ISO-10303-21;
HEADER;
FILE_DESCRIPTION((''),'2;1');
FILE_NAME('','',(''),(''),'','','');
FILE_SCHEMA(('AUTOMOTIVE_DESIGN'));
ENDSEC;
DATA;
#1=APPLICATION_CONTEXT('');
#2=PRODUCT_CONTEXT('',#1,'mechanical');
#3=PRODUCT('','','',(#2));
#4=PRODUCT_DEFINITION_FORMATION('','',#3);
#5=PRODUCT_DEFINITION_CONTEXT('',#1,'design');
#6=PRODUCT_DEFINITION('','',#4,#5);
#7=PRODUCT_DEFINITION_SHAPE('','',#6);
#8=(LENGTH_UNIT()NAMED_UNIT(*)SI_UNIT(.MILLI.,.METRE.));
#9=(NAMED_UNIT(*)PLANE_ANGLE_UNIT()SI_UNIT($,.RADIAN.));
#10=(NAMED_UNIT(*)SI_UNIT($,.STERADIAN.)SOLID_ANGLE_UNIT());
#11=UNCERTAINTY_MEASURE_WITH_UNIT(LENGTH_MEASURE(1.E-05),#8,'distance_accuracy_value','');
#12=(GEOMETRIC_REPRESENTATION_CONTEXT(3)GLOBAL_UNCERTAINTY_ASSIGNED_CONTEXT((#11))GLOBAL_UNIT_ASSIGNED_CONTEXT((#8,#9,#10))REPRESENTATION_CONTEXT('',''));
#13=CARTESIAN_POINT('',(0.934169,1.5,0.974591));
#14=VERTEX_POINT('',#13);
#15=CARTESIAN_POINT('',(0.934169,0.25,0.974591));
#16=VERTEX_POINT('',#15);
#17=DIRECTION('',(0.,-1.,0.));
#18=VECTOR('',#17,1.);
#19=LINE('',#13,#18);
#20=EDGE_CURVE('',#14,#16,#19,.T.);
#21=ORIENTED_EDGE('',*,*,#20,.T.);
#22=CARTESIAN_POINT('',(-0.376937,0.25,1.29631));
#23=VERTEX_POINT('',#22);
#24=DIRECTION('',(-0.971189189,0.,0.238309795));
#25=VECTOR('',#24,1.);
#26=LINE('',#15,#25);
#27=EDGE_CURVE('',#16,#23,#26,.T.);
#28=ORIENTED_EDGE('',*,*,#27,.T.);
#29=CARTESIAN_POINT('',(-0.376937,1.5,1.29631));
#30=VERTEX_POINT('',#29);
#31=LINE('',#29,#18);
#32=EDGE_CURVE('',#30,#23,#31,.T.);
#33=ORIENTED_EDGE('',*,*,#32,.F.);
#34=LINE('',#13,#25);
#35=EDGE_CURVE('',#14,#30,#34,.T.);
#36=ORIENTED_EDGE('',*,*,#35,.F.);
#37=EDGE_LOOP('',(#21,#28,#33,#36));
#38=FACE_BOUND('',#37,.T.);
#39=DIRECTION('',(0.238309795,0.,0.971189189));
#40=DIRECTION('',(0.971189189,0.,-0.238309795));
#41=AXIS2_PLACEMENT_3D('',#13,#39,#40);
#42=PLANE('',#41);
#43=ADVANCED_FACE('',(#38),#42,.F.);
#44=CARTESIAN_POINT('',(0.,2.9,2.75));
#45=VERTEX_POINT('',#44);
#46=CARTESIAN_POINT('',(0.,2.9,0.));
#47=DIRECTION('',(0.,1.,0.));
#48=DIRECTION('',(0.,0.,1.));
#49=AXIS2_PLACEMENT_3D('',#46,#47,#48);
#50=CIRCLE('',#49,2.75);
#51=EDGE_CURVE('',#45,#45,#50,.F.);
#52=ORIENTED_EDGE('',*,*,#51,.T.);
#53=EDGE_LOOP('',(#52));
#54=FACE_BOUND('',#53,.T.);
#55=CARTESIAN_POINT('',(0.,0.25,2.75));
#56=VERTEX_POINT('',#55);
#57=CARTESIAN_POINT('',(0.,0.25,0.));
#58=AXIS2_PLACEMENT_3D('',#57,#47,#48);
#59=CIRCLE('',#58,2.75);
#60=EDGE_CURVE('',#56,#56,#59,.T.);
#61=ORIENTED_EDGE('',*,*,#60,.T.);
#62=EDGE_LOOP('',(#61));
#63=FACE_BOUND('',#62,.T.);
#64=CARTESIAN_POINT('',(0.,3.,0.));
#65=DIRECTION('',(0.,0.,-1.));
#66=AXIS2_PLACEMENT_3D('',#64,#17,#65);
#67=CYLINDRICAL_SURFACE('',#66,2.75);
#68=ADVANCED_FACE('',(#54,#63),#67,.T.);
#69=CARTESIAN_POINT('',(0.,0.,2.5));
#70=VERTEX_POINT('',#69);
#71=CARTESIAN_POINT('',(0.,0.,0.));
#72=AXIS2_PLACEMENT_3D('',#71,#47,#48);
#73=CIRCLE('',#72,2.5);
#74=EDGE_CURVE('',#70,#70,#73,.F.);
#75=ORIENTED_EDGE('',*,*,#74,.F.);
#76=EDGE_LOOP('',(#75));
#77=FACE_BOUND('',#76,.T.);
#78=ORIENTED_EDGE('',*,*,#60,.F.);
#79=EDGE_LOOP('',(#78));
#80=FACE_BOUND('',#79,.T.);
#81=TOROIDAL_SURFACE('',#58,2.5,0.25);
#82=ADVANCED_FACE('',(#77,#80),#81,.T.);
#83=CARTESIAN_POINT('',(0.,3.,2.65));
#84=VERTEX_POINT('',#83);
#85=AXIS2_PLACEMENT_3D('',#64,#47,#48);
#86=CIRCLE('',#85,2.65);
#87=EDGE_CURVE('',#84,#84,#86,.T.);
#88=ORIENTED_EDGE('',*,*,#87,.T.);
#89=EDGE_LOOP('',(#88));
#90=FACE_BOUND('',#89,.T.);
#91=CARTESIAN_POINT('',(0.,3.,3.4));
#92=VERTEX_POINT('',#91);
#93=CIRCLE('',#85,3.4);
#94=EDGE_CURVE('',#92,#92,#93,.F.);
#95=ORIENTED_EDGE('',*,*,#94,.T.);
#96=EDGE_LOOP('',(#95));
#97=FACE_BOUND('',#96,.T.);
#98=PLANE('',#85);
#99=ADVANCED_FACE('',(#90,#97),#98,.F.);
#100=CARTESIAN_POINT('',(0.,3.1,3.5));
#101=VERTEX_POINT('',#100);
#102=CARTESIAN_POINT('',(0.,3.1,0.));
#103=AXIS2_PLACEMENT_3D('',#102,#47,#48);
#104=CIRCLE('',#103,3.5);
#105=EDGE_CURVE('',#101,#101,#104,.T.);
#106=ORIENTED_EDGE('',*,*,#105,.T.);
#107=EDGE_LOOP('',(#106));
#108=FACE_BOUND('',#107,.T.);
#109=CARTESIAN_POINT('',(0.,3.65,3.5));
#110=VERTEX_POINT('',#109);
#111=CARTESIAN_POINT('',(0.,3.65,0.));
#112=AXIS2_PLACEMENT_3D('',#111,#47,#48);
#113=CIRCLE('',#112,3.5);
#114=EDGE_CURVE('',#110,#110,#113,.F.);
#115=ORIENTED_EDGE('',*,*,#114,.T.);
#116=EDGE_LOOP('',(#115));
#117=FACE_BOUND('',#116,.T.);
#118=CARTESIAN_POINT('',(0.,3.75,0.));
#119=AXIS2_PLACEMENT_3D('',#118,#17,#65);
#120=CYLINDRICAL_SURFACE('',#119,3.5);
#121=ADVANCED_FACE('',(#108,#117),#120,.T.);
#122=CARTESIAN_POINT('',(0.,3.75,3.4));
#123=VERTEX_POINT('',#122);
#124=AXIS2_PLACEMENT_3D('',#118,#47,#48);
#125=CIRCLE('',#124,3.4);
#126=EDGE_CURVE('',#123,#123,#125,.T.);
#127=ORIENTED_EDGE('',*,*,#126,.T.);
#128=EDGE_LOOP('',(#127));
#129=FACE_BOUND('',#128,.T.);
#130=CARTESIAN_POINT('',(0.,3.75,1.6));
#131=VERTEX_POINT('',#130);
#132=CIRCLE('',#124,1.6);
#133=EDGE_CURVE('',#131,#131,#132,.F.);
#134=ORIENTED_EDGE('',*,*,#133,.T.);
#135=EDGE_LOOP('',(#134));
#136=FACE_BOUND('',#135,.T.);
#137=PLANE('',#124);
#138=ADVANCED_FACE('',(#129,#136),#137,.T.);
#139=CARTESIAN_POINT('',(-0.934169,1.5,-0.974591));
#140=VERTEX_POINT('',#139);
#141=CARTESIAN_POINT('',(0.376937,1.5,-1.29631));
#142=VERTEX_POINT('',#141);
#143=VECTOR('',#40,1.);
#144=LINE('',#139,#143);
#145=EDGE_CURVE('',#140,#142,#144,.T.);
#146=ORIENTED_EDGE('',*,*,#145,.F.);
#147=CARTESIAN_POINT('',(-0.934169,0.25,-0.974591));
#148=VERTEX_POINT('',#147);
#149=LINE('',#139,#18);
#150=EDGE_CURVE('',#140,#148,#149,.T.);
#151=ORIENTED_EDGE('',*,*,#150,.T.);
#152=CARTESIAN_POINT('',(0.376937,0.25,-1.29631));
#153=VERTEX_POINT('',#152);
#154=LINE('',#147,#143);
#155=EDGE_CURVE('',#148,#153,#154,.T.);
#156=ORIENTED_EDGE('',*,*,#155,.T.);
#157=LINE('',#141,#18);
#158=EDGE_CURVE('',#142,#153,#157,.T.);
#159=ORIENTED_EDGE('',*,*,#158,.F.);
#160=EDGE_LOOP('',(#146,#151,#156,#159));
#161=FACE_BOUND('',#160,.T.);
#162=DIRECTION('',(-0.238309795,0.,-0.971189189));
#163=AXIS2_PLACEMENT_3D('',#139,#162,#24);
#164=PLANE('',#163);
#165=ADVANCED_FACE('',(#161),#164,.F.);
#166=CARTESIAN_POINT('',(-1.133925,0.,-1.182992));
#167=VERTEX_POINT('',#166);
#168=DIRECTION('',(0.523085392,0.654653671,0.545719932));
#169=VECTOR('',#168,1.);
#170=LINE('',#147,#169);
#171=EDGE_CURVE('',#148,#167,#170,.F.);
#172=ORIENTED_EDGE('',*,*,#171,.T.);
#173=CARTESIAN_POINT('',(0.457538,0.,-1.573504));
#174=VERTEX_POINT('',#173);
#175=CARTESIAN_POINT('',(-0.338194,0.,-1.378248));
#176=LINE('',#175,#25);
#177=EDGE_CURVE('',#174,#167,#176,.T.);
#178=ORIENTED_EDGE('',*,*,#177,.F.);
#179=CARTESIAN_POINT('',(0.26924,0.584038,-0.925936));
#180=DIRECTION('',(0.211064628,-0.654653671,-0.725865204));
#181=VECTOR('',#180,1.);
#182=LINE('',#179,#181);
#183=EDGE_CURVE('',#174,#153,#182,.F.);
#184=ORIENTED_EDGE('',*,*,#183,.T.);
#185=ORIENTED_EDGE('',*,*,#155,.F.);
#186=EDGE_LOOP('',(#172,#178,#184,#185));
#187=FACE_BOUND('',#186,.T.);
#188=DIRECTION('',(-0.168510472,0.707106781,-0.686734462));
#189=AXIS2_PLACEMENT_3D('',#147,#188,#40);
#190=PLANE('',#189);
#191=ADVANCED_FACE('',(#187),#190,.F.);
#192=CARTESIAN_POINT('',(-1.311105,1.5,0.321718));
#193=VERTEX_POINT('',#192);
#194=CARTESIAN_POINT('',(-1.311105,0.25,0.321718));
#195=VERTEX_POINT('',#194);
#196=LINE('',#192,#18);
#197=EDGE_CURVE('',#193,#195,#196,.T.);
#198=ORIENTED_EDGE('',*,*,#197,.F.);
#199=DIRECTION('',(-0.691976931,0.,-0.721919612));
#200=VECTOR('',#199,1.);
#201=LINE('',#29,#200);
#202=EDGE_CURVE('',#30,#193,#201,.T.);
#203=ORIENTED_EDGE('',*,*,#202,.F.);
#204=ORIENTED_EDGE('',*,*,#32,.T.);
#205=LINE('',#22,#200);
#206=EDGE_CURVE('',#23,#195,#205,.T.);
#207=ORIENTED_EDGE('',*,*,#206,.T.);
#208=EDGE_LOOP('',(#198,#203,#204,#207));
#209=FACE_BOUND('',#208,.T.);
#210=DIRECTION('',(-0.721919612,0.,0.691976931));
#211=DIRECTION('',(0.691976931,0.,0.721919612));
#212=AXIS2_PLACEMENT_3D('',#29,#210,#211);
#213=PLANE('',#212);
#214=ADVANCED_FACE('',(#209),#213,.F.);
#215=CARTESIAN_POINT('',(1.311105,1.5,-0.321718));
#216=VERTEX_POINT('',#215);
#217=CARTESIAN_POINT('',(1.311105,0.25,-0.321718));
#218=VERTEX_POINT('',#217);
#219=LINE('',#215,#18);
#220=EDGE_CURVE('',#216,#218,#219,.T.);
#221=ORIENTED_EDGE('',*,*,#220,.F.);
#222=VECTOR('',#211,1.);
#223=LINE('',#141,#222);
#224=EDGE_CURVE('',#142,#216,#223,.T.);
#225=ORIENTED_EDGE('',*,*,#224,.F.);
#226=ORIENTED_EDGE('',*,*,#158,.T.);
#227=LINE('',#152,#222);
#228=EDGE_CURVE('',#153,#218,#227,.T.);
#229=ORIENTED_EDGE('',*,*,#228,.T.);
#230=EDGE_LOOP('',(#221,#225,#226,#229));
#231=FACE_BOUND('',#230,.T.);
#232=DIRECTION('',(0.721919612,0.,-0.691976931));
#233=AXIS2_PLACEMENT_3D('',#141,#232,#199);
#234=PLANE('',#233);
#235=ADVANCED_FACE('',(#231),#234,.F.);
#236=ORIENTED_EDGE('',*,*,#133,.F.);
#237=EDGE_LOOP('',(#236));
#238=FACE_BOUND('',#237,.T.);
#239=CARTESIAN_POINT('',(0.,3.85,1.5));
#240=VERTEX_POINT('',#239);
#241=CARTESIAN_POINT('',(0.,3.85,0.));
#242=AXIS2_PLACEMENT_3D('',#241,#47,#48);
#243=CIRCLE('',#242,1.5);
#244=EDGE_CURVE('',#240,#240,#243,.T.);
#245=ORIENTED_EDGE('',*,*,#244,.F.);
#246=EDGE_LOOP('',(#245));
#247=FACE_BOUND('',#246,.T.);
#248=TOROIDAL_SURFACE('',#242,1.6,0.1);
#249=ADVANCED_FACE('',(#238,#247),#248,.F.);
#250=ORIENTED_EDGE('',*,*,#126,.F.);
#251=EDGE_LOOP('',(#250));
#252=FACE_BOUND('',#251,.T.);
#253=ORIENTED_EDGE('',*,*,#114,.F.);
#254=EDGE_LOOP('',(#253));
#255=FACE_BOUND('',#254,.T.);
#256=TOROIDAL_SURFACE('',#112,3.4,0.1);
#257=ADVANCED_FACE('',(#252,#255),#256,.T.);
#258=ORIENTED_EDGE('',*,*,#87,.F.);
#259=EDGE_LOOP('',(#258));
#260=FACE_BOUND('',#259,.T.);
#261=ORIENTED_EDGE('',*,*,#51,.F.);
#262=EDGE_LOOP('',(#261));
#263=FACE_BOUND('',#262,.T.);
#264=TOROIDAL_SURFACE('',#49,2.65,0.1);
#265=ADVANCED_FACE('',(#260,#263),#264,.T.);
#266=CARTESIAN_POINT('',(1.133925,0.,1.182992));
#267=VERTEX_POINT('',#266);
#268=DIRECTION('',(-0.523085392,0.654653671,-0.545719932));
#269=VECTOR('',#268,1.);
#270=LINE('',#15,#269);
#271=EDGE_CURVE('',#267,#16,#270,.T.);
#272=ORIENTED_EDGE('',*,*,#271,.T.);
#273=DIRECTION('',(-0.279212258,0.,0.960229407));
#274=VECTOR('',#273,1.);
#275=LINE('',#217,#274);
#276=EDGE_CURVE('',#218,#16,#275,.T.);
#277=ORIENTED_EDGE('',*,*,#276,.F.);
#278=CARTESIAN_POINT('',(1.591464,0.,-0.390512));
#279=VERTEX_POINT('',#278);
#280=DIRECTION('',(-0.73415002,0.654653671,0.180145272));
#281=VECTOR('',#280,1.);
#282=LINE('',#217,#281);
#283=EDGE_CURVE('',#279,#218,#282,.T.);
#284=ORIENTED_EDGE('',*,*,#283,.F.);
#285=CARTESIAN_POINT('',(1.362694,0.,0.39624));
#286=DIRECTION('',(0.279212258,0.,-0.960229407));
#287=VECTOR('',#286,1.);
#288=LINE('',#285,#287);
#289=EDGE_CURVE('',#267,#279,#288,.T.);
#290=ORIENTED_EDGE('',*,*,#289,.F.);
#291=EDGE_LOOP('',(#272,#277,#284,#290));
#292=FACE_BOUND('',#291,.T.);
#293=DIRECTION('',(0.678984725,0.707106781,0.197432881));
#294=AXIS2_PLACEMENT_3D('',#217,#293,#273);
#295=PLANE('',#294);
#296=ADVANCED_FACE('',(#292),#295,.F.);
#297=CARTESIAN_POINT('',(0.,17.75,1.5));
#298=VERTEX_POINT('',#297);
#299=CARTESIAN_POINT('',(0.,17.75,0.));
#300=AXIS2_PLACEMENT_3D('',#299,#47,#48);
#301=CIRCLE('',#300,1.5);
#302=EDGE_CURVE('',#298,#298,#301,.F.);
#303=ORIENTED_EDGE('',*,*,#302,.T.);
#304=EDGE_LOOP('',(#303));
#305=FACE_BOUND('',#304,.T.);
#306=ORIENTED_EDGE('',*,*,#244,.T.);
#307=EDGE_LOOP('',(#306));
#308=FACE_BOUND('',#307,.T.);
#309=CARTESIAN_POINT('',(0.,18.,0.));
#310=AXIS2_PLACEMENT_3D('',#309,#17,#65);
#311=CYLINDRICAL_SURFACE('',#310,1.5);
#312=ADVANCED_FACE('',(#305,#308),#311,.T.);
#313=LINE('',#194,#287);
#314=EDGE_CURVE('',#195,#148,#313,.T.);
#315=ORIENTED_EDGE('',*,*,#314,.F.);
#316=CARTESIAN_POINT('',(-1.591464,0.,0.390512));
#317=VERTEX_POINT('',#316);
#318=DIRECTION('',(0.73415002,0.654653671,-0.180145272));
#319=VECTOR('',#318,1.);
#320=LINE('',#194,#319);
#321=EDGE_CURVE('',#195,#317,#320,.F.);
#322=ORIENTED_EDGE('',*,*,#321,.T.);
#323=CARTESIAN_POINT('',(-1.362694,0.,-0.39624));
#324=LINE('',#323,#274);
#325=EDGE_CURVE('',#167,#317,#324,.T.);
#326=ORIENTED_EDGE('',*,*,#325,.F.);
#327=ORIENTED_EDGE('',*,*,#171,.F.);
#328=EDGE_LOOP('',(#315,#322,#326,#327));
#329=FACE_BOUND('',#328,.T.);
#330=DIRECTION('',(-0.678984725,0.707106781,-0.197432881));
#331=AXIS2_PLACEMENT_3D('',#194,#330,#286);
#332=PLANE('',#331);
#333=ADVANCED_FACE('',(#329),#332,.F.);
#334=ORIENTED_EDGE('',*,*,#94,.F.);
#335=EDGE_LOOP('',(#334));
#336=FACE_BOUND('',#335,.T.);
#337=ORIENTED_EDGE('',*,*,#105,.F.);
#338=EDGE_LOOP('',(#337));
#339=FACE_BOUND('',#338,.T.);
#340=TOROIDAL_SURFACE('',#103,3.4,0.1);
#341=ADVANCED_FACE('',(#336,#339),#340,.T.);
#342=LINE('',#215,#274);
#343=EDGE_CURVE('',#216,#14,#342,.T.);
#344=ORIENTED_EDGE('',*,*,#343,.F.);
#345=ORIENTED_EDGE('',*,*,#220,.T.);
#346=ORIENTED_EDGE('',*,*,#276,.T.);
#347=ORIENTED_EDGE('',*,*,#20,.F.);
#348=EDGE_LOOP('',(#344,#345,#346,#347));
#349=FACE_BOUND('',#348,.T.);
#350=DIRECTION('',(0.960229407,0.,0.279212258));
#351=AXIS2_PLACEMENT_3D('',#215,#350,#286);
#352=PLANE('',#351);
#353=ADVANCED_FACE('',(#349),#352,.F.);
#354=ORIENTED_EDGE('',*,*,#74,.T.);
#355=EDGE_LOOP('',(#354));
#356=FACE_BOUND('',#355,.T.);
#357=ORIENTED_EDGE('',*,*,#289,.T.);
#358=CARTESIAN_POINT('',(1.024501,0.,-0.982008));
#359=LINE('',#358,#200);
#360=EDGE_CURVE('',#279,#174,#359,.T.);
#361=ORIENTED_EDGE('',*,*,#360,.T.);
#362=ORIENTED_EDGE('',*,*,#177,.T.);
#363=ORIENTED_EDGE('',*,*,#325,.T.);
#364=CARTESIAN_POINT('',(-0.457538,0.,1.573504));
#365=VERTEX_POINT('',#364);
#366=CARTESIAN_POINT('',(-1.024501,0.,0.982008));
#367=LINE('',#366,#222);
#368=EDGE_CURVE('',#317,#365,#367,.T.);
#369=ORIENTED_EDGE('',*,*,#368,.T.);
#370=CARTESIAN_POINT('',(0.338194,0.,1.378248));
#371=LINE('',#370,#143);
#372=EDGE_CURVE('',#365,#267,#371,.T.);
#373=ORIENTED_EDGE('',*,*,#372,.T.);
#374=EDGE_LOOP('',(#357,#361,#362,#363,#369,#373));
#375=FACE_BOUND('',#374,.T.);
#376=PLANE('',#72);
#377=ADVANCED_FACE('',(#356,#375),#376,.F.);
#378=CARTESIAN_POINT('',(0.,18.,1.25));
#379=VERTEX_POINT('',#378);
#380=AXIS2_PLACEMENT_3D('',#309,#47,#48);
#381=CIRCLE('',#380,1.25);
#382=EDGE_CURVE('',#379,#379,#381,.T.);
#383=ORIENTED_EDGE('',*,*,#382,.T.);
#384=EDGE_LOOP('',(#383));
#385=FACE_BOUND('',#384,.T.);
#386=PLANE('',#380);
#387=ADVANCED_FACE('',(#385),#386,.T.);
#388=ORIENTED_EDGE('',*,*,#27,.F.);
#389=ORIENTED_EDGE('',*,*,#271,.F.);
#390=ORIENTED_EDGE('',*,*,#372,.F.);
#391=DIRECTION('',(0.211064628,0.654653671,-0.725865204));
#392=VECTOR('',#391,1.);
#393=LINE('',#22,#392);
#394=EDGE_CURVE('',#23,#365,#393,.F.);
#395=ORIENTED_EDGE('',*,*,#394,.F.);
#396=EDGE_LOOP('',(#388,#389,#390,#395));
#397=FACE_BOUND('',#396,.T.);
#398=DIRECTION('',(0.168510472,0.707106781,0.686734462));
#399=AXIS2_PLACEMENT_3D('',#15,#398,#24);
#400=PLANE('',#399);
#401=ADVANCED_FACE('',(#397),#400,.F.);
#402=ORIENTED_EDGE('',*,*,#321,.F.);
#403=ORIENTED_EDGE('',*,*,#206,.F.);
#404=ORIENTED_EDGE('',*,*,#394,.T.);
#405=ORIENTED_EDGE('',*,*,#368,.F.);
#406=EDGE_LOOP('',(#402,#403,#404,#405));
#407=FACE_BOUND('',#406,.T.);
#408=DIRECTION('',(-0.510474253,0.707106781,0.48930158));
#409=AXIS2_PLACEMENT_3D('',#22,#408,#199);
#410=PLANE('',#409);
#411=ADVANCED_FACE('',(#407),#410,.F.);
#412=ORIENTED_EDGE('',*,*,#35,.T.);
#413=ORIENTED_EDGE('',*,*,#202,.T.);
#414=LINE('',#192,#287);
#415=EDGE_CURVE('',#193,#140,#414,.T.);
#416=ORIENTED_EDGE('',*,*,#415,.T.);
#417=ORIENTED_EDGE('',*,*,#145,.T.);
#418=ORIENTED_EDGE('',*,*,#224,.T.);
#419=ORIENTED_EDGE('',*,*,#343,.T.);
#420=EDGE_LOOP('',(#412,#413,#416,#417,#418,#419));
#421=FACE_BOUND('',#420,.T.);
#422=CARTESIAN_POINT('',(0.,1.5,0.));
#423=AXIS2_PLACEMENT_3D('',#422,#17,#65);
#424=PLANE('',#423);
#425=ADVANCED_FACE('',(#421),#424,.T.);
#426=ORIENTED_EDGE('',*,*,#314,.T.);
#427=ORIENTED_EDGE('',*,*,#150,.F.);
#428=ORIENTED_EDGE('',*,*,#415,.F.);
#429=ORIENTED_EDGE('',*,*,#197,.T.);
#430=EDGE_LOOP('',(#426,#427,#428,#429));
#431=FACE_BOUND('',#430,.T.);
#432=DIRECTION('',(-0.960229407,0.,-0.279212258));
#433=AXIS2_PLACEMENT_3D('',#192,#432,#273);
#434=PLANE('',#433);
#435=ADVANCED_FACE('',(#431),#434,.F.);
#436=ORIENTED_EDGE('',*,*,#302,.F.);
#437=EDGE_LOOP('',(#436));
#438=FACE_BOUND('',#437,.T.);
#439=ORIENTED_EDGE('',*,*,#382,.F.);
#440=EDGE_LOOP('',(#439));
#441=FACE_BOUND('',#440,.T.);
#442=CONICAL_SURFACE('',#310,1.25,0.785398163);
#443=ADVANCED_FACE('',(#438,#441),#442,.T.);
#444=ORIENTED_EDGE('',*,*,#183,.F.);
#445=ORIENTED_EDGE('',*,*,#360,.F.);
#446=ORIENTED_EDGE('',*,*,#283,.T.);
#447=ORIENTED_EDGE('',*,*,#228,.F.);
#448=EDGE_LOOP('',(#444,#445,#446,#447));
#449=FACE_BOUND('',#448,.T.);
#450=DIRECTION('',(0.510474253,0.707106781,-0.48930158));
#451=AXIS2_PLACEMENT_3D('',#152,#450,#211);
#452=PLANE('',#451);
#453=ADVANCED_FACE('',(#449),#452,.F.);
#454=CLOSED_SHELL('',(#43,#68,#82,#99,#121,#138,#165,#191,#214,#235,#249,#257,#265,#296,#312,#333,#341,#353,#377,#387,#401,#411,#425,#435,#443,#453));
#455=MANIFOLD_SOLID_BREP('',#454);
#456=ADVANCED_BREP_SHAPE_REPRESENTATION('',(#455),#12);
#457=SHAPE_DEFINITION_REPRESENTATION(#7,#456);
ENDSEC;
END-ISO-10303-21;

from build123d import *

# Parameters (mm, degrees)
SKETCH1_R           = 2.75
BOSS_EXTRUDE1_DEPTH = 3
SKETCH2_R           = 1.5
BOSS_EXTRUDE2_DEPTH = 15
CUT_EXTRUDE1_DEPTH  = 1.5
CHAMFER1_SIZE       = 0.25
FILLET1_R           = 0.25
CHAMFER2_SIZE       = 0.25
FILLET2_R           = 0.1
SKETCH4_R           = 3.5
SKETCH4_R_2         = 1.5
BOSS_EXTRUDE3_DEPTH = 0.75
FILLET3_R           = 0.1


with BuildPart() as part:
    # Sketch1 → Boss-Extrude1 (new body)
    with BuildSketch(Plane(origin=(0, 0, 0), x_dir=(1, 0, 0), z_dir=(0, 1, 0))):
        with Locations(Location((0, 0, 0), (0, 0, 270))):
            Circle(SKETCH1_R)
    extrude(amount=BOSS_EXTRUDE1_DEPTH)

    # Sketch2 → Boss-Extrude2 (add)
    with BuildSketch(Plane(origin=(0, 3, 0), x_dir=(1, 0, 0), z_dir=(0, 1, 0))):
        with Locations(Location((0, 0, 0), (0, 0, 270))):
            Circle(SKETCH2_R)
    extrude(amount=BOSS_EXTRUDE2_DEPTH)

    # Sketch3 → Cut-Extrude1 (cut)
    with BuildSketch(Plane.XZ):
        Polygon((0.934168857, 0.974591477), (-0.376936549, 1.2963097), (-1.311105406, 0.321718223), (-0.934168857, -0.974591477), (0.376936549, -1.2963097), (1.311105406, -0.321718223), align=None)
    extrude(amount=-CUT_EXTRUDE1_DEPTH, mode=Mode.SUBTRACT)

    # Chamfer1
    chamfer1_edges = [part.edges().sort_by_distance(p)[0] for p in [
        (1.122637131, 0, 0.326436627),
        (0.278616154, 0, 1.135450588),
        (-0.844020977, 0, 0.809013962),
        (-1.122637131, 0, -0.326436627),
        (-0.278616154, 0, -1.135450588),
        (0.844020977, 0, -0.809013962),
    ]]
    chamfer(chamfer1_edges, length=CHAMFER1_SIZE)

    # Fillet1
    fillet1_edges = [part.edges().sort_by_distance(p)[0] for p in [
        (0, 0, -2.75),
    ]]
    fillet(fillet1_edges, radius=FILLET1_R)

    # Chamfer2
    chamfer2_edges = [part.edges().sort_by_distance(p)[0] for p in [
        (0, 18, -1.5),
    ]]
    chamfer(chamfer2_edges, length=CHAMFER2_SIZE)

    # Fillet2
    fillet2_edges = [part.edges().sort_by_distance(p)[0] for p in [
        (0, 3, -2.75),
    ]]
    fillet(fillet2_edges, radius=FILLET2_R)

    # Sketch4 → Boss-Extrude3 (add)
    with BuildSketch(Plane(origin=(0, 3, 0), x_dir=(1, 0, 0), z_dir=(0, 1, 0))):
        with Locations(Location((0, 0, 0), (0, 0, 270))):
            Circle(SKETCH4_R)
        with Locations(Location((0, 0, 0), (0, 0, 270))):
            Circle(SKETCH4_R_2, mode=Mode.SUBTRACT)
    extrude(amount=BOSS_EXTRUDE3_DEPTH)

    # Fillet3
    fillet3_edges = [part.edges().sort_by_distance(p)[0] for p in [
        (0, 3.75, -3.5),
        (0, 3, -3.5),
        (0, 3.75, -1.5),
    ]]
    fillet(fillet3_edges, radius=FILLET3_R)


solid = part.part
